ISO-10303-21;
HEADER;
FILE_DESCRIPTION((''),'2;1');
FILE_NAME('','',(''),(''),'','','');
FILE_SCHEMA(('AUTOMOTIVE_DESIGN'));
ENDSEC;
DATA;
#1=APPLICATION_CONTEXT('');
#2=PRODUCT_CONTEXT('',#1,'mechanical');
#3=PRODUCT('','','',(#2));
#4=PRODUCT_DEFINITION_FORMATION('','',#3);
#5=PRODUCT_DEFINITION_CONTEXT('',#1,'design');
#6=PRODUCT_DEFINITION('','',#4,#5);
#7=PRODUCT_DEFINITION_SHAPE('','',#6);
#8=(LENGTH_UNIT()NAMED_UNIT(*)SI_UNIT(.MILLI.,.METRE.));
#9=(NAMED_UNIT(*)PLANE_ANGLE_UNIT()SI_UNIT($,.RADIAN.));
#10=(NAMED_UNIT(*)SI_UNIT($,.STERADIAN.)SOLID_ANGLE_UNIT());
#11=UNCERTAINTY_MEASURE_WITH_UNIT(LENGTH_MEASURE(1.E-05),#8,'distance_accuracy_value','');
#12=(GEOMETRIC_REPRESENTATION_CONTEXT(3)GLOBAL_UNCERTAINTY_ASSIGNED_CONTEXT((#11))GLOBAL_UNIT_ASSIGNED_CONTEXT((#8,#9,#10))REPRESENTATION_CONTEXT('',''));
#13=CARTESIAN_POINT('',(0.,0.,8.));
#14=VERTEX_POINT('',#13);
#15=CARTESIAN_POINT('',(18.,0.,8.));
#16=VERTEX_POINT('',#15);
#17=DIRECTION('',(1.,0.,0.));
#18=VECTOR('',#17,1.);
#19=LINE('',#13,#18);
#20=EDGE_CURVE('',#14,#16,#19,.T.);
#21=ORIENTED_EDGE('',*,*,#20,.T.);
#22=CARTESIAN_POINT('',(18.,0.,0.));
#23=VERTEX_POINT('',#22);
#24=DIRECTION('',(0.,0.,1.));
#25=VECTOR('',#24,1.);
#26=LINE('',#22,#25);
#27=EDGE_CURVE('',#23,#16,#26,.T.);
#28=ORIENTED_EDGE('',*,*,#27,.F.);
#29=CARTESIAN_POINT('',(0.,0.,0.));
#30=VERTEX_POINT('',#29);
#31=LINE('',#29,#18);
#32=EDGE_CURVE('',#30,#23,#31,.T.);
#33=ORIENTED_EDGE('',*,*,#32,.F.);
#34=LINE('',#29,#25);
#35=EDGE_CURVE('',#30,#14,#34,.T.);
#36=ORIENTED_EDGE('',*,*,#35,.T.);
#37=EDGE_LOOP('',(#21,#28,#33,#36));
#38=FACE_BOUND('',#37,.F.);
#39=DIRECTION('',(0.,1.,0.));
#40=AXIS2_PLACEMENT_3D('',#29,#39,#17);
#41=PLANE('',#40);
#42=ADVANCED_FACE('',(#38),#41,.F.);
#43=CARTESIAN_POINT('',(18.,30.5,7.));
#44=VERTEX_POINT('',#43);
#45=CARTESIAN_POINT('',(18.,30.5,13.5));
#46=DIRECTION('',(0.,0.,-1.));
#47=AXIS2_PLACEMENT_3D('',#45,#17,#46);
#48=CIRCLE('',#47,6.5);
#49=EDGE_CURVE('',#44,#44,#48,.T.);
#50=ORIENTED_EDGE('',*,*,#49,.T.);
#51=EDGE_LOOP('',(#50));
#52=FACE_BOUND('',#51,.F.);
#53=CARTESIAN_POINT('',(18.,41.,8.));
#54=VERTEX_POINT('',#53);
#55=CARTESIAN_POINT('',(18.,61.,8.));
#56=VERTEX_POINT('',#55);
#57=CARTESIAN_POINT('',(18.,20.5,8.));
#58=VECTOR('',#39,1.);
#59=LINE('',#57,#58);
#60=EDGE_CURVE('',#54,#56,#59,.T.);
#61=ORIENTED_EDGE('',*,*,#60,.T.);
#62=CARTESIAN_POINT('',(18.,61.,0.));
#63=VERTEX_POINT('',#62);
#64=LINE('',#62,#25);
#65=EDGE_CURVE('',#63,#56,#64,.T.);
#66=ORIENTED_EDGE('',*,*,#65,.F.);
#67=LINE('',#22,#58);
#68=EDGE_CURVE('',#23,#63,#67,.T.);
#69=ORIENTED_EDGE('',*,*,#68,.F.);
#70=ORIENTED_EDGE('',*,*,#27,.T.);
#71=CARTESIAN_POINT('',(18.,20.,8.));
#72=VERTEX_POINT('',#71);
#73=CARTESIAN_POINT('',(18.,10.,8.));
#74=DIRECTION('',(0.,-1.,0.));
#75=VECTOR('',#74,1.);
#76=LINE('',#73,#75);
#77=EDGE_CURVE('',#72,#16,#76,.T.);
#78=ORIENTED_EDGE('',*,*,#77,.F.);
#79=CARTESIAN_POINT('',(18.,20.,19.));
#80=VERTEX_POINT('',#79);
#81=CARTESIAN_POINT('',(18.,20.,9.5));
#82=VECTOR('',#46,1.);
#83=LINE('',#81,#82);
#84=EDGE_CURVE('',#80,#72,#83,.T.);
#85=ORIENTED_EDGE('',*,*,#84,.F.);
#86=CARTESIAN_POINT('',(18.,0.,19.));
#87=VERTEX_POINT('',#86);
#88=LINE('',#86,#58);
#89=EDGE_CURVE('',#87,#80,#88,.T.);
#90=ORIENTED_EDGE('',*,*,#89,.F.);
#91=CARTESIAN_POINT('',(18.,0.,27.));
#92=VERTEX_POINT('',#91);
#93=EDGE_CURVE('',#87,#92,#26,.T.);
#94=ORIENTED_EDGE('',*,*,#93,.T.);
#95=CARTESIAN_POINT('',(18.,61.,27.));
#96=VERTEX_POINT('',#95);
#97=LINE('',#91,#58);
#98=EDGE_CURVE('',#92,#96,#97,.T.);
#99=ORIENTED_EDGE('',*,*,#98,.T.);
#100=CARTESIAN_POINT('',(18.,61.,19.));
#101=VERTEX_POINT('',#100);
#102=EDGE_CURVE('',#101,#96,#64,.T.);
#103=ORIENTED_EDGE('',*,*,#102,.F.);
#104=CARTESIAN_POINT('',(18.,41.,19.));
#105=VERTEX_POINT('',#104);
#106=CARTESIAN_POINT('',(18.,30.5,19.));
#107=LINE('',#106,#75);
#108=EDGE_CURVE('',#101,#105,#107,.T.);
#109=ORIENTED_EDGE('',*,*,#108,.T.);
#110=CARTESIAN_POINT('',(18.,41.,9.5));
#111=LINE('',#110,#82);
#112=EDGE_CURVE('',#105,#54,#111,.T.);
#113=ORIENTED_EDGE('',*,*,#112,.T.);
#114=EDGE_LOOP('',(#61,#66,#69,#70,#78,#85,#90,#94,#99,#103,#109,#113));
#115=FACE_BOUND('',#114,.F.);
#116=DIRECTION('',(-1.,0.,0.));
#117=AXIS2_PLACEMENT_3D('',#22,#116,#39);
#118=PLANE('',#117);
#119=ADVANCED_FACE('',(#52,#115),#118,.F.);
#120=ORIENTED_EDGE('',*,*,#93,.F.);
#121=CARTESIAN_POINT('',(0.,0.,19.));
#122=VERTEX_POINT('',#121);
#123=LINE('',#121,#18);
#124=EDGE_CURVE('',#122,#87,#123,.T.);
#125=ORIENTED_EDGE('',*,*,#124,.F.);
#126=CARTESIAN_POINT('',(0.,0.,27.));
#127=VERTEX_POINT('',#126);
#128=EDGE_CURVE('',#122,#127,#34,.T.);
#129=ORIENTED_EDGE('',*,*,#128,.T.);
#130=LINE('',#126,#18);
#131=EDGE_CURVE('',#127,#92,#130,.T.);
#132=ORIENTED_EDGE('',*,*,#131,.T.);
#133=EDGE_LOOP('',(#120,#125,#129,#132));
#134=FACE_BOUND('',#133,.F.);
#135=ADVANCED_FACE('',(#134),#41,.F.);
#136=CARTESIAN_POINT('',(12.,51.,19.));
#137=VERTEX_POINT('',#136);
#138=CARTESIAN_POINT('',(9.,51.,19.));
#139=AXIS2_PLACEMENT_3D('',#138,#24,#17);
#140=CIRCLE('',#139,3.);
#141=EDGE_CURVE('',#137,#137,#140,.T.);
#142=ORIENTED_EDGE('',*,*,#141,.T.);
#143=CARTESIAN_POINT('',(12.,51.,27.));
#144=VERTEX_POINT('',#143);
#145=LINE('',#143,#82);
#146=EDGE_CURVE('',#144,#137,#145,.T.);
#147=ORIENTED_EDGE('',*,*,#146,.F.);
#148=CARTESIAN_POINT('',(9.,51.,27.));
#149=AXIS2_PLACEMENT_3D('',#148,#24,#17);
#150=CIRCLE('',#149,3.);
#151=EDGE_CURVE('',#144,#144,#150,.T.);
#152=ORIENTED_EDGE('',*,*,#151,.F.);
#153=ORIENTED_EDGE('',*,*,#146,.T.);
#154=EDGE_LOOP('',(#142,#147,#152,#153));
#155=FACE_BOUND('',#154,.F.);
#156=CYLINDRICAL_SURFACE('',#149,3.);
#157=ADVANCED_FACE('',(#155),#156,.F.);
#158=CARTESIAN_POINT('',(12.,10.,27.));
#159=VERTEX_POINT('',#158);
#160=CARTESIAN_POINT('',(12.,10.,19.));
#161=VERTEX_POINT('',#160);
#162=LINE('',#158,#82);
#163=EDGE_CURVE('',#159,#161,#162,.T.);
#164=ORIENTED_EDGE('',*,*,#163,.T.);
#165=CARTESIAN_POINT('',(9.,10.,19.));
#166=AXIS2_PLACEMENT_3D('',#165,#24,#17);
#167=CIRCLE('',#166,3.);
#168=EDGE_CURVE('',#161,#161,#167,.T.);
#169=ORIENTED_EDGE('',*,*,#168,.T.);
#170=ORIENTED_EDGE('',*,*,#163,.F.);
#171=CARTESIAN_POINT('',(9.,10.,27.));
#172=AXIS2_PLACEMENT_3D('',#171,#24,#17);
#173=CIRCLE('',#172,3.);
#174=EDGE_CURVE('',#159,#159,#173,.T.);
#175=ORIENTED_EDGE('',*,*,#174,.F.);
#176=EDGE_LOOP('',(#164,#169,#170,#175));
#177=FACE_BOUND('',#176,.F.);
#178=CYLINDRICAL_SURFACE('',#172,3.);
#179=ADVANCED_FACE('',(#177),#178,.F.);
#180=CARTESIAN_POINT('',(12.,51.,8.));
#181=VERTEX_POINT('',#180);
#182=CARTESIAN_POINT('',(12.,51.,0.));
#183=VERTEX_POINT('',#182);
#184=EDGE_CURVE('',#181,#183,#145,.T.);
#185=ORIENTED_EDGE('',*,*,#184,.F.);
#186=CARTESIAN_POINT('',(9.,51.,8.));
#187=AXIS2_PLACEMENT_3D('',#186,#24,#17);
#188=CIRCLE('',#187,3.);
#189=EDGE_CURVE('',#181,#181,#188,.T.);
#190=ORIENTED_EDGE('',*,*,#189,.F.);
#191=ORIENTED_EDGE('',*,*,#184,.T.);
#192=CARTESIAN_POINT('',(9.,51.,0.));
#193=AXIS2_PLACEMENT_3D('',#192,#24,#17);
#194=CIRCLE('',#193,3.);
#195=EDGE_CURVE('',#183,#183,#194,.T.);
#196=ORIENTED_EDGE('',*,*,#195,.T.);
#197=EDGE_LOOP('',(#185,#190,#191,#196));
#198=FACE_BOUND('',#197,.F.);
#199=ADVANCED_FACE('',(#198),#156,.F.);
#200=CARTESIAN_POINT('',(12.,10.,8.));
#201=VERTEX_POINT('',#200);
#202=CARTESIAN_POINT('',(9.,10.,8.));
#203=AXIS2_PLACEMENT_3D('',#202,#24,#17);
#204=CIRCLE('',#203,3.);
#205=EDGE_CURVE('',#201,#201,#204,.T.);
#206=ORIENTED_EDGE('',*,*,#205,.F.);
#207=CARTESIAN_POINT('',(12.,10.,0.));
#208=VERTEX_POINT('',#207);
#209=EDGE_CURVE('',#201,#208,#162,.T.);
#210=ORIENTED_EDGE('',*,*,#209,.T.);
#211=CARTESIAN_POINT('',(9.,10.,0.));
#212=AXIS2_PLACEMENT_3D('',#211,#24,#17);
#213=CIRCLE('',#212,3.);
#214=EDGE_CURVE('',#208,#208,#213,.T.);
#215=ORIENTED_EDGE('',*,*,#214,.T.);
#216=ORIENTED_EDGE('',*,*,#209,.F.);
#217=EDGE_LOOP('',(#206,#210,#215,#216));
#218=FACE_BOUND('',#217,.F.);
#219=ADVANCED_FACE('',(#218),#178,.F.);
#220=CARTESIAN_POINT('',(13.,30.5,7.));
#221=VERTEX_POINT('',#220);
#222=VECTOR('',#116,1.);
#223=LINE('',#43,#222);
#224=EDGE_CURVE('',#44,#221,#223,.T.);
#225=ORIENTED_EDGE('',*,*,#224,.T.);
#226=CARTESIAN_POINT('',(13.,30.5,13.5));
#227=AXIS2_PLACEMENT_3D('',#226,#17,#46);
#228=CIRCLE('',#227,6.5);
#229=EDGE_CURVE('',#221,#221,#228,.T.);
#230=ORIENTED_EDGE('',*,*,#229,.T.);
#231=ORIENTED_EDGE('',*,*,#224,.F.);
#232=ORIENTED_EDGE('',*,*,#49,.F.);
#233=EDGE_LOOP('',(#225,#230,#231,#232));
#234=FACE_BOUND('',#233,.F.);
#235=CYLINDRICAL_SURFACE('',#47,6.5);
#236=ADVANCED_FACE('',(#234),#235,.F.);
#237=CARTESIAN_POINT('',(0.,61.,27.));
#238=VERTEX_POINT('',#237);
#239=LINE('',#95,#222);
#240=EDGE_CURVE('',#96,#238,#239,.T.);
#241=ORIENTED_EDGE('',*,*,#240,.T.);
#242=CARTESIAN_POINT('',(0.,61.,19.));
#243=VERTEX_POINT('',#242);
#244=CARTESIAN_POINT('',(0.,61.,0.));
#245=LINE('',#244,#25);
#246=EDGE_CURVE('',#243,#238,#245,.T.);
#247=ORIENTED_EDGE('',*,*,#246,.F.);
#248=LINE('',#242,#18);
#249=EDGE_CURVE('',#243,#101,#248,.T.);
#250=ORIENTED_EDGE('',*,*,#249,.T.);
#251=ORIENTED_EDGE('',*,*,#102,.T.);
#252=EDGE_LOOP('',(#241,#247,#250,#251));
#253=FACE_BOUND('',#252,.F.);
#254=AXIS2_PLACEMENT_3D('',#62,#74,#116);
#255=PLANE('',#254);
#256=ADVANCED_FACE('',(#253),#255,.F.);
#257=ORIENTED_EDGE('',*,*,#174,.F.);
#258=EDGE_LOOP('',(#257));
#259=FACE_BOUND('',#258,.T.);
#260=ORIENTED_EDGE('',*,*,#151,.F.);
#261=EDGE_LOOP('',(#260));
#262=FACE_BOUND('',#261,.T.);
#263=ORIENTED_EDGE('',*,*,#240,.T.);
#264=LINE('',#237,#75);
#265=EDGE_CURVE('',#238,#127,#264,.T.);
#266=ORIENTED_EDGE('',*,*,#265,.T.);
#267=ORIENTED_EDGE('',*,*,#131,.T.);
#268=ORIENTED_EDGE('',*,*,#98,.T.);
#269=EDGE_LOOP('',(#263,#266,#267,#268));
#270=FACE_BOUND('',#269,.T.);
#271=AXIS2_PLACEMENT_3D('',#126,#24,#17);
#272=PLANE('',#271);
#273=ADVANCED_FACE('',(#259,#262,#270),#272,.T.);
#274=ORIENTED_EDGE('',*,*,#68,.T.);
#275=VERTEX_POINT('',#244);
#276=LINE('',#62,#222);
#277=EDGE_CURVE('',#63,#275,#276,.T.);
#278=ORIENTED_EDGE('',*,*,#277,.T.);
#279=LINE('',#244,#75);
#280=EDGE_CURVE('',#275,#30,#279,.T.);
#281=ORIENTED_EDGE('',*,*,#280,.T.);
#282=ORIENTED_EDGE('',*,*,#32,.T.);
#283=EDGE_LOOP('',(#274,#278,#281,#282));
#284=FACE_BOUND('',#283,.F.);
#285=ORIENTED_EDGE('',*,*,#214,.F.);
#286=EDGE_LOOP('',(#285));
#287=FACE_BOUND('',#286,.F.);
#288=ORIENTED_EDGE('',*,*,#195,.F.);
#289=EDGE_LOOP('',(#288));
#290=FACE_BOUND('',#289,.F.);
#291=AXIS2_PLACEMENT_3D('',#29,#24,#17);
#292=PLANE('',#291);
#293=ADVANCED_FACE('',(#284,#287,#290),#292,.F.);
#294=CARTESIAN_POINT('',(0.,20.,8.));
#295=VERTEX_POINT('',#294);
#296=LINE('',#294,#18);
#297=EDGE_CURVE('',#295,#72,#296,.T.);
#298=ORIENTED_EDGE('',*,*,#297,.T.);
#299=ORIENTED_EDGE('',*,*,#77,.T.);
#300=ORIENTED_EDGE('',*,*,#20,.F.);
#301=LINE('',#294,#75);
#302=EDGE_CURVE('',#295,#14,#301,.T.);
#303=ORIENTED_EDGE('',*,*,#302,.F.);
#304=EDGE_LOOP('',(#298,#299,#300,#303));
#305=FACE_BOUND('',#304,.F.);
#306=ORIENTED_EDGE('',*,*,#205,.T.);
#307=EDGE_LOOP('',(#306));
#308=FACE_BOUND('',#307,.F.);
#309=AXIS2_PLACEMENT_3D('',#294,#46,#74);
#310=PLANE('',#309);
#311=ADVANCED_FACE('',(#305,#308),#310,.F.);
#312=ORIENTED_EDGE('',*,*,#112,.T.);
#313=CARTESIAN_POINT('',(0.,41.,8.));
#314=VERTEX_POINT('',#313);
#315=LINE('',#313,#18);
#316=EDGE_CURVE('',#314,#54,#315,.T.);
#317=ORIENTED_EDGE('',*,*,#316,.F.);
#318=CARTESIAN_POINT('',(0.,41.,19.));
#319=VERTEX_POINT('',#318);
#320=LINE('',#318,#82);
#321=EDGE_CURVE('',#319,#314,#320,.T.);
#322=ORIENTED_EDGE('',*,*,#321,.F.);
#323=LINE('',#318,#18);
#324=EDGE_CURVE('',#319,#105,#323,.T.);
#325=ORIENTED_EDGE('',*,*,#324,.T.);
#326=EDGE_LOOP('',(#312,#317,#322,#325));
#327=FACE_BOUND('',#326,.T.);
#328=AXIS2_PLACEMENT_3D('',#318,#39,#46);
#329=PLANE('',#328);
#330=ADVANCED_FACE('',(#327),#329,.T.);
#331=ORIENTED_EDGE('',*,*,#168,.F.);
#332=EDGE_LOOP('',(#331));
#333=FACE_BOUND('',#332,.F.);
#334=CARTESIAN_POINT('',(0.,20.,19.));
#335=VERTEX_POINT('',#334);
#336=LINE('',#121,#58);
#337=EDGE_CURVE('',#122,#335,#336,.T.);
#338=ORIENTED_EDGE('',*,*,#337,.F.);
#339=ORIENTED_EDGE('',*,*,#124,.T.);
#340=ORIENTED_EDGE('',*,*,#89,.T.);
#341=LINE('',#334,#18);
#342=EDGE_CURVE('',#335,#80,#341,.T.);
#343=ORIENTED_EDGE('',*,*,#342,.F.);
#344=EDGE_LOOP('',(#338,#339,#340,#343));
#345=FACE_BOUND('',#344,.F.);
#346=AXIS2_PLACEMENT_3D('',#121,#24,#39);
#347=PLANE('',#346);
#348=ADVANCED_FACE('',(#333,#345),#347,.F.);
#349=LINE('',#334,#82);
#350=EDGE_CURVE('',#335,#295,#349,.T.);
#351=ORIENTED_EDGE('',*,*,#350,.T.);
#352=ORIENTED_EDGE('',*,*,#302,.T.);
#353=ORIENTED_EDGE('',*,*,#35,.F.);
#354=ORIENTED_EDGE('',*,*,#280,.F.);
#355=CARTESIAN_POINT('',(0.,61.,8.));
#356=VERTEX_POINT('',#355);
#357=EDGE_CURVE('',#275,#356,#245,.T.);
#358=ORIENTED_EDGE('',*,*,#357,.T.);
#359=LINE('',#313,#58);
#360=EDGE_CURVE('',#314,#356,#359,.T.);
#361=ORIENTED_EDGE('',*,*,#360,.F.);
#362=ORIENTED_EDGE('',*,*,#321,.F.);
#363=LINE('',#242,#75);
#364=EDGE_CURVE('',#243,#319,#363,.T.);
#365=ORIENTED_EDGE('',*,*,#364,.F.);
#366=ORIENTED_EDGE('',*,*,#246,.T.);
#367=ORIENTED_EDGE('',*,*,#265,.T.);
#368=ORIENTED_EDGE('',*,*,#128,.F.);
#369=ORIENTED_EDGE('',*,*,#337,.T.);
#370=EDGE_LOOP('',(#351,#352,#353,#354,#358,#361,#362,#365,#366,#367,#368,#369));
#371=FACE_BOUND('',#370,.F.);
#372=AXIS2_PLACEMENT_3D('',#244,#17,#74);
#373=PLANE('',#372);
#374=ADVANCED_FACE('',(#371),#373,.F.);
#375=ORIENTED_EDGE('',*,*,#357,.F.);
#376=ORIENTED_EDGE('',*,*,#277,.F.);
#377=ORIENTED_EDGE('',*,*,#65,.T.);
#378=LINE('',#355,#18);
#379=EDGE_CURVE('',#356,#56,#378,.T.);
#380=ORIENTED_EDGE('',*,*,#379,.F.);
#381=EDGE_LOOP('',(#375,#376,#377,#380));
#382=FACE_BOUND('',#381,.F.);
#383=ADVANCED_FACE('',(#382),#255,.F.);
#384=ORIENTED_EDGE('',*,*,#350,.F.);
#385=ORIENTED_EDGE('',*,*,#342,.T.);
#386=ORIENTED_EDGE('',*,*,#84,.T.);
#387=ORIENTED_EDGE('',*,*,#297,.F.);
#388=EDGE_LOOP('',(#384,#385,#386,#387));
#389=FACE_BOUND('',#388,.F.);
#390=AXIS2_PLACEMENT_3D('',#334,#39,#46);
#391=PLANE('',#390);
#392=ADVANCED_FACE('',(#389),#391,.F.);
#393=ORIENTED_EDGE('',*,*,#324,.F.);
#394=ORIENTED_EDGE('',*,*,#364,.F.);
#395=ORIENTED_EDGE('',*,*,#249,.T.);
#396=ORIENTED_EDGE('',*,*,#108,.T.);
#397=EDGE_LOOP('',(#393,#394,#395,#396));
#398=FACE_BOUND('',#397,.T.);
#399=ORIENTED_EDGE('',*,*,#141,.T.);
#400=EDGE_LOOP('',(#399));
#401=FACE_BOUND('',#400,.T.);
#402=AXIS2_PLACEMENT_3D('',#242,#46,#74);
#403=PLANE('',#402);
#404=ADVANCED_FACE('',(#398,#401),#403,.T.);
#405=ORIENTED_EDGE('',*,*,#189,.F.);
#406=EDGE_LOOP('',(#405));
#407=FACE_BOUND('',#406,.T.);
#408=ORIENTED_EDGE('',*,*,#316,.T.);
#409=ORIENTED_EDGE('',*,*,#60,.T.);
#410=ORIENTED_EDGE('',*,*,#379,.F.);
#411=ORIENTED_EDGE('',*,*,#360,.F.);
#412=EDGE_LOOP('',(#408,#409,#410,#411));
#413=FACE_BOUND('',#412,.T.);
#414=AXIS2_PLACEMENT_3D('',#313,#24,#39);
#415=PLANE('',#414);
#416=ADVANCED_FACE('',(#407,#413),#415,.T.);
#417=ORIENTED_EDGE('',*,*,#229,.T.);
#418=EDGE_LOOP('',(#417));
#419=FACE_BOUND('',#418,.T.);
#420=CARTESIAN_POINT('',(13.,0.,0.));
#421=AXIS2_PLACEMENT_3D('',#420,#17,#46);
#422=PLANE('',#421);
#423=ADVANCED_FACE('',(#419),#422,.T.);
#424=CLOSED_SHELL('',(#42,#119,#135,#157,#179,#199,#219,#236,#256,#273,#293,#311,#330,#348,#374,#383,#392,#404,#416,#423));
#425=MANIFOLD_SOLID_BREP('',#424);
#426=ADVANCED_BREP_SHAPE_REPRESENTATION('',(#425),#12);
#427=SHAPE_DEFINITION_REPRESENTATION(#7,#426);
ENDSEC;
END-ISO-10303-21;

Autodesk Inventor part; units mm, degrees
ref_plane "YZ Plane" through (0, 0, 0) normal (1, 0, 0) x (0, 1, 0)
ref_plane "XZ Plane" through (0, 0, 0) normal (0, 1, 0) x (-1, 0, 0)
ref_plane "XY Plane" through (0, 0, 0) normal (0, 0, 1) x (1, 0, 0)
sketch "Sketch1" plane through (0, 0, 0) normal (0, 0, 1) x (1, 0, 0)
  line L0 (0, 0) -> (18, 0)
  line L1 (18, 0) -> (18, 61)
  line L2 (18, 61) -> (0, 61)
  line L3 (0, 61) -> (0, 0)
  dimension "d0" = 18
  dimension "d1" = 61
extrude "Extrusion1" add sketch "Sketch1" along normal blind 27
sketch "Sketch2" plane through (0, 0, 0) normal (-1, 0, 0) x (0, 0, 1)
  line L0 (0, 61) -> (27, 61) projected
  line L1 (8, 61) -> (19, 61)
  line L2 (19, 61) -> (19, 41)
  line L3 (19, 41) -> (8, 41)
  line L4 (8, 41) -> (8, 61)
  line L5 (-7.2771, 30.5) -> (-16.8885, 30.5) construction
  line L6 (0, 61) -> (0, 0) construction
  line L7 (8, 0) -> (19, 0)
  line L8 (19, 0) -> (19, 20)
  line L9 (19, 20) -> (8, 20)
  line L10 (8, 20) -> (8, 0)
  point P0 (-12.0828, 30.5)
  point P1 (0, 30.5)
  point P2 (13.5, 61)
  point P3 (13.5, 61)
  dimension "d4" = 11
  dimension "d5" = 20
extrude "Extrusion2" cut sketch "Sketch2" against normal through all
sketch "Sketch3" plane through (0, 0, 27) normal (0, 0, 1) x (1, 0, 0)
  circle A0 centre (9, 51) radius 3
  line L0 (-26.5753, 30.5) -> (-43.832, 30.5) construction
  line L1 (0, 61) -> (0, 0) construction
  circle A1 centre (9, 10) radius 3
  line L2 (18, 61) -> (0, 61) construction
  line L3 (0, 41) -> (18, 41) construction
  line L4 (18, 61) -> (0, 61) construction
  line L5 (0, 61) -> (0, 41) construction
  line L6 (0, 41) -> (18, 41) construction
  line L7 (18, 41) -> (18, 61) construction
  point P0 (-35.2037, 30.5)
  point P1 (0, 30.5)
  point P2 (0, 51)
  point P3 (9, 61)
  dimension "d8" = 6
extrude "Extrusion3" cut sketch "Sketch3" against normal through all
sketch "Sketch4" plane through (18, 0, 0) normal (1, 0, 0) x (0, 0, -1)
  circle A0 centre (-13.5, 30.5) radius 6.5
  line L0 (-27, 0) -> (-27, 61) projected
  line L1 (-8, 41) -> (-19, 41) projected
  point P0 (0, 0)
  point P1 (-27, 30.5)
  point P2 (-13.5, 41)
  dimension "bearingdiameter" = 13
extrude "Extrusion4" cut sketch "Sketch4" against normal blind 5
properties part number "hinge"
